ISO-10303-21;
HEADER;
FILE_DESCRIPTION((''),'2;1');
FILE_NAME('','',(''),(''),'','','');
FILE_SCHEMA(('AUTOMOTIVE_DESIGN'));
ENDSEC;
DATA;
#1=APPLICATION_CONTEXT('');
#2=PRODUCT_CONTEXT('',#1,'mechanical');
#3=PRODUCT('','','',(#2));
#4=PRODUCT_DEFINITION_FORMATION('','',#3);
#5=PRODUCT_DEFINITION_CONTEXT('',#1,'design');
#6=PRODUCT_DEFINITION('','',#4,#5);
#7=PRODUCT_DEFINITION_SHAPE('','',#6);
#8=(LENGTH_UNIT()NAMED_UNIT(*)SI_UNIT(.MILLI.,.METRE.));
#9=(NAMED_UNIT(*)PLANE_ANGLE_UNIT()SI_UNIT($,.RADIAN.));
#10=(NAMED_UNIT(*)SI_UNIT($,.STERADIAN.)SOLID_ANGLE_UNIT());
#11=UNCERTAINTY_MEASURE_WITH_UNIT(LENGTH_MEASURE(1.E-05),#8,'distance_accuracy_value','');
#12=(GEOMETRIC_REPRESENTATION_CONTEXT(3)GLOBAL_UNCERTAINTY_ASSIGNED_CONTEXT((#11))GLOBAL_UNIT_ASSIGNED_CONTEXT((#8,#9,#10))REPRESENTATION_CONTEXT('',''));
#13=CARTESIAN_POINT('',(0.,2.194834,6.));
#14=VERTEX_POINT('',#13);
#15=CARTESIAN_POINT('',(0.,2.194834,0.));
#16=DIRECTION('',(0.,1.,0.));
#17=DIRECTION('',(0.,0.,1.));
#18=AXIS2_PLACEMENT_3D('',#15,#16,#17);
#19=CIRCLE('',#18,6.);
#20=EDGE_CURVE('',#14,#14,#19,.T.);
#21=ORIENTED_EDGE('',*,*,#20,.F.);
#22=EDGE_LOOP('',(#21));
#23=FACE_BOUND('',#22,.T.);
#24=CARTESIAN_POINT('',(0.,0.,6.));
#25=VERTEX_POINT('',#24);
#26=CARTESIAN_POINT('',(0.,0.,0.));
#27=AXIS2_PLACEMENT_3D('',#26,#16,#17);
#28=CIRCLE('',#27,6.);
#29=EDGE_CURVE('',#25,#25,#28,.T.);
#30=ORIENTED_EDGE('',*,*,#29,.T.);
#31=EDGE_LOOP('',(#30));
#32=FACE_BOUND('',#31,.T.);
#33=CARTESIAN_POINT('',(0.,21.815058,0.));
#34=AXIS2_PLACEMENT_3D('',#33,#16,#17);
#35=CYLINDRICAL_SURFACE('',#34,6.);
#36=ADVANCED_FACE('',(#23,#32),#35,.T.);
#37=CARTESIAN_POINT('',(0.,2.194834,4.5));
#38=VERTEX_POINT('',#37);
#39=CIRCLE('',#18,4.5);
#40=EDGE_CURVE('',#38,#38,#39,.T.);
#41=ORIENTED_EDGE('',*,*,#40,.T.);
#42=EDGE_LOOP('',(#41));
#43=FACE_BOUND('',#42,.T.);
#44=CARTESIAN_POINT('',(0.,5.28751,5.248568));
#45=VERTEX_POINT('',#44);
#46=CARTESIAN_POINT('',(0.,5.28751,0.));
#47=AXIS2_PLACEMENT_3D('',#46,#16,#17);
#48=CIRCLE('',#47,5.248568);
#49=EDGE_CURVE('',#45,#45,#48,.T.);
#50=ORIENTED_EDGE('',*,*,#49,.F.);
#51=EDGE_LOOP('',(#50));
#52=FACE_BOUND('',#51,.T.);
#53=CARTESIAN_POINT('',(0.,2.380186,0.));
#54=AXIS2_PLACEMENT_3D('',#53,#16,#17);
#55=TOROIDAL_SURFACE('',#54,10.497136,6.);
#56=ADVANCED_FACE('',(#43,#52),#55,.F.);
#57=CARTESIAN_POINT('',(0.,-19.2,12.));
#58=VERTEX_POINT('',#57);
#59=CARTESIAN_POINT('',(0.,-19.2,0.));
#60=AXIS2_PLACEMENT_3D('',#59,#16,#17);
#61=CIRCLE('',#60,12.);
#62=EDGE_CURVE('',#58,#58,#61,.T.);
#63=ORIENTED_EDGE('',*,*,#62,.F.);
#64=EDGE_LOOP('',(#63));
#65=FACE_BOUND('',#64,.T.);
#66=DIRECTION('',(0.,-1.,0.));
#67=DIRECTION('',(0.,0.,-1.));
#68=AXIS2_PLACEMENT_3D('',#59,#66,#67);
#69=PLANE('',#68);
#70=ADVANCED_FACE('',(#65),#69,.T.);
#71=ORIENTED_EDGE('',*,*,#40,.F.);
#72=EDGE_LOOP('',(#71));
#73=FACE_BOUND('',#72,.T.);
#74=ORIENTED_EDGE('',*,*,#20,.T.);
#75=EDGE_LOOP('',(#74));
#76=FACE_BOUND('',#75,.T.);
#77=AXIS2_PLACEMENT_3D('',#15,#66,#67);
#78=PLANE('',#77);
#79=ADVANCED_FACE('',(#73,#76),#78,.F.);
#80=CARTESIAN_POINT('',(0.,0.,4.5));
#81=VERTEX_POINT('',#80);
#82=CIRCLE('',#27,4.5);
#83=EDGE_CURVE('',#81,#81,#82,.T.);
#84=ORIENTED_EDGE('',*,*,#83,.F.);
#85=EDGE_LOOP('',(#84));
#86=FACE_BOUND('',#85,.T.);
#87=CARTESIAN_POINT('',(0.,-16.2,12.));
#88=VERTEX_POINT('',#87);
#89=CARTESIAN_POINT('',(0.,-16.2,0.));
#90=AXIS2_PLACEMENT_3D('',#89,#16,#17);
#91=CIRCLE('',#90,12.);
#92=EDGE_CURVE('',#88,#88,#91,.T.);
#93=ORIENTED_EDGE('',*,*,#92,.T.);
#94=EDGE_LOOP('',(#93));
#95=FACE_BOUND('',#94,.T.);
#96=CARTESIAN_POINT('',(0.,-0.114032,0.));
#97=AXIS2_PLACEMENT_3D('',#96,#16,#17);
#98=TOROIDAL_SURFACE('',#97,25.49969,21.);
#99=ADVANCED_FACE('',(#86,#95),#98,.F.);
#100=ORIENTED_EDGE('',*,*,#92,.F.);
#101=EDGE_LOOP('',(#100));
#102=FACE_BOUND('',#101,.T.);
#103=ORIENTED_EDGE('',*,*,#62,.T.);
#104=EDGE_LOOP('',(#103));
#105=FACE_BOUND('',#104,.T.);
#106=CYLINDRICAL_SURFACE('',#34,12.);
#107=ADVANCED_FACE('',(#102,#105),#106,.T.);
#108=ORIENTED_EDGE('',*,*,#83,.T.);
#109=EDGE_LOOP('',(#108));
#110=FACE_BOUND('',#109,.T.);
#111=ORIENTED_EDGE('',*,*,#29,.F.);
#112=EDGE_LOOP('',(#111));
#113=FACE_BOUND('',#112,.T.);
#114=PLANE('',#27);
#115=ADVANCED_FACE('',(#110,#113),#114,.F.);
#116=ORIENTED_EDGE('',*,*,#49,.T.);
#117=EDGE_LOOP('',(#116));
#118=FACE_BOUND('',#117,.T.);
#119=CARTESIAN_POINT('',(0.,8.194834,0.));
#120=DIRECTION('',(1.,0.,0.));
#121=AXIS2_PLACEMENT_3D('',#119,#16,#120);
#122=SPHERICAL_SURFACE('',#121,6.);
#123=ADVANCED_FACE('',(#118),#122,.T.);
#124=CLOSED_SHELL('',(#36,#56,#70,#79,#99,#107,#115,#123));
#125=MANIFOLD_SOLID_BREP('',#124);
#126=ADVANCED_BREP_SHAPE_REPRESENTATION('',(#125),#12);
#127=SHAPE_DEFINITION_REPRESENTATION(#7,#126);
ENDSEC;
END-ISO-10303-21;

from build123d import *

# Parameters (mm, degrees)
SKETCH1_W     = 20
SKETCH1_H     = 5
SCALE_1_SCALE = 0.6


with BuildPart() as part:
    # Sketch1 → Revolve2 (revolve)
    with BuildSketch(Plane.XY, mode=Mode.PRIVATE) as revolve2_sk:
        with Locations((10, -29.5)):
            Rectangle(SKETCH1_W, SKETCH1_H)
        with BuildLine():
            Line((7.5, 0), (0, 0))
            Line((0, 0), (0, -27))
            Line((0, -27), (20, -27))
            ThreePointArc((20, -27), (10.738142241, -14.894378592), (7.5, 0))
        make_face()
        with BuildLine():
            ThreePointArc((8.747613634, 8.812516428), (8.61554983, 18.734698905), (0, 23.658056202))
            Line((0, 23.658056202), (0, 3.658056202))
            Line((0, 3.658056202), (7.5, 3.658056202))
            ThreePointArc((7.5, 3.658056202), (7.775883858, 6.319499484), (8.747613634, 8.812516428))
        make_face()
        Polygon((7.5, 3.658056202), (0, 3.658056202), (0, 0), (7.5, 0), (10, 0), (10, 3.658056202), align=None)
    revolve(revolve2_sk.sketch.rotate(Axis((0, 36.358430306, 0), (0, -1, 0)), 90), axis=Axis((0, 36.358430306, 0), (0, -1, 0)))


with BuildPart() as part_1:
    # 缩放比例1: scaled about (0, 0, 0)
    add(part.part.scale(SCALE_1_SCALE))


solid = part_1.part
